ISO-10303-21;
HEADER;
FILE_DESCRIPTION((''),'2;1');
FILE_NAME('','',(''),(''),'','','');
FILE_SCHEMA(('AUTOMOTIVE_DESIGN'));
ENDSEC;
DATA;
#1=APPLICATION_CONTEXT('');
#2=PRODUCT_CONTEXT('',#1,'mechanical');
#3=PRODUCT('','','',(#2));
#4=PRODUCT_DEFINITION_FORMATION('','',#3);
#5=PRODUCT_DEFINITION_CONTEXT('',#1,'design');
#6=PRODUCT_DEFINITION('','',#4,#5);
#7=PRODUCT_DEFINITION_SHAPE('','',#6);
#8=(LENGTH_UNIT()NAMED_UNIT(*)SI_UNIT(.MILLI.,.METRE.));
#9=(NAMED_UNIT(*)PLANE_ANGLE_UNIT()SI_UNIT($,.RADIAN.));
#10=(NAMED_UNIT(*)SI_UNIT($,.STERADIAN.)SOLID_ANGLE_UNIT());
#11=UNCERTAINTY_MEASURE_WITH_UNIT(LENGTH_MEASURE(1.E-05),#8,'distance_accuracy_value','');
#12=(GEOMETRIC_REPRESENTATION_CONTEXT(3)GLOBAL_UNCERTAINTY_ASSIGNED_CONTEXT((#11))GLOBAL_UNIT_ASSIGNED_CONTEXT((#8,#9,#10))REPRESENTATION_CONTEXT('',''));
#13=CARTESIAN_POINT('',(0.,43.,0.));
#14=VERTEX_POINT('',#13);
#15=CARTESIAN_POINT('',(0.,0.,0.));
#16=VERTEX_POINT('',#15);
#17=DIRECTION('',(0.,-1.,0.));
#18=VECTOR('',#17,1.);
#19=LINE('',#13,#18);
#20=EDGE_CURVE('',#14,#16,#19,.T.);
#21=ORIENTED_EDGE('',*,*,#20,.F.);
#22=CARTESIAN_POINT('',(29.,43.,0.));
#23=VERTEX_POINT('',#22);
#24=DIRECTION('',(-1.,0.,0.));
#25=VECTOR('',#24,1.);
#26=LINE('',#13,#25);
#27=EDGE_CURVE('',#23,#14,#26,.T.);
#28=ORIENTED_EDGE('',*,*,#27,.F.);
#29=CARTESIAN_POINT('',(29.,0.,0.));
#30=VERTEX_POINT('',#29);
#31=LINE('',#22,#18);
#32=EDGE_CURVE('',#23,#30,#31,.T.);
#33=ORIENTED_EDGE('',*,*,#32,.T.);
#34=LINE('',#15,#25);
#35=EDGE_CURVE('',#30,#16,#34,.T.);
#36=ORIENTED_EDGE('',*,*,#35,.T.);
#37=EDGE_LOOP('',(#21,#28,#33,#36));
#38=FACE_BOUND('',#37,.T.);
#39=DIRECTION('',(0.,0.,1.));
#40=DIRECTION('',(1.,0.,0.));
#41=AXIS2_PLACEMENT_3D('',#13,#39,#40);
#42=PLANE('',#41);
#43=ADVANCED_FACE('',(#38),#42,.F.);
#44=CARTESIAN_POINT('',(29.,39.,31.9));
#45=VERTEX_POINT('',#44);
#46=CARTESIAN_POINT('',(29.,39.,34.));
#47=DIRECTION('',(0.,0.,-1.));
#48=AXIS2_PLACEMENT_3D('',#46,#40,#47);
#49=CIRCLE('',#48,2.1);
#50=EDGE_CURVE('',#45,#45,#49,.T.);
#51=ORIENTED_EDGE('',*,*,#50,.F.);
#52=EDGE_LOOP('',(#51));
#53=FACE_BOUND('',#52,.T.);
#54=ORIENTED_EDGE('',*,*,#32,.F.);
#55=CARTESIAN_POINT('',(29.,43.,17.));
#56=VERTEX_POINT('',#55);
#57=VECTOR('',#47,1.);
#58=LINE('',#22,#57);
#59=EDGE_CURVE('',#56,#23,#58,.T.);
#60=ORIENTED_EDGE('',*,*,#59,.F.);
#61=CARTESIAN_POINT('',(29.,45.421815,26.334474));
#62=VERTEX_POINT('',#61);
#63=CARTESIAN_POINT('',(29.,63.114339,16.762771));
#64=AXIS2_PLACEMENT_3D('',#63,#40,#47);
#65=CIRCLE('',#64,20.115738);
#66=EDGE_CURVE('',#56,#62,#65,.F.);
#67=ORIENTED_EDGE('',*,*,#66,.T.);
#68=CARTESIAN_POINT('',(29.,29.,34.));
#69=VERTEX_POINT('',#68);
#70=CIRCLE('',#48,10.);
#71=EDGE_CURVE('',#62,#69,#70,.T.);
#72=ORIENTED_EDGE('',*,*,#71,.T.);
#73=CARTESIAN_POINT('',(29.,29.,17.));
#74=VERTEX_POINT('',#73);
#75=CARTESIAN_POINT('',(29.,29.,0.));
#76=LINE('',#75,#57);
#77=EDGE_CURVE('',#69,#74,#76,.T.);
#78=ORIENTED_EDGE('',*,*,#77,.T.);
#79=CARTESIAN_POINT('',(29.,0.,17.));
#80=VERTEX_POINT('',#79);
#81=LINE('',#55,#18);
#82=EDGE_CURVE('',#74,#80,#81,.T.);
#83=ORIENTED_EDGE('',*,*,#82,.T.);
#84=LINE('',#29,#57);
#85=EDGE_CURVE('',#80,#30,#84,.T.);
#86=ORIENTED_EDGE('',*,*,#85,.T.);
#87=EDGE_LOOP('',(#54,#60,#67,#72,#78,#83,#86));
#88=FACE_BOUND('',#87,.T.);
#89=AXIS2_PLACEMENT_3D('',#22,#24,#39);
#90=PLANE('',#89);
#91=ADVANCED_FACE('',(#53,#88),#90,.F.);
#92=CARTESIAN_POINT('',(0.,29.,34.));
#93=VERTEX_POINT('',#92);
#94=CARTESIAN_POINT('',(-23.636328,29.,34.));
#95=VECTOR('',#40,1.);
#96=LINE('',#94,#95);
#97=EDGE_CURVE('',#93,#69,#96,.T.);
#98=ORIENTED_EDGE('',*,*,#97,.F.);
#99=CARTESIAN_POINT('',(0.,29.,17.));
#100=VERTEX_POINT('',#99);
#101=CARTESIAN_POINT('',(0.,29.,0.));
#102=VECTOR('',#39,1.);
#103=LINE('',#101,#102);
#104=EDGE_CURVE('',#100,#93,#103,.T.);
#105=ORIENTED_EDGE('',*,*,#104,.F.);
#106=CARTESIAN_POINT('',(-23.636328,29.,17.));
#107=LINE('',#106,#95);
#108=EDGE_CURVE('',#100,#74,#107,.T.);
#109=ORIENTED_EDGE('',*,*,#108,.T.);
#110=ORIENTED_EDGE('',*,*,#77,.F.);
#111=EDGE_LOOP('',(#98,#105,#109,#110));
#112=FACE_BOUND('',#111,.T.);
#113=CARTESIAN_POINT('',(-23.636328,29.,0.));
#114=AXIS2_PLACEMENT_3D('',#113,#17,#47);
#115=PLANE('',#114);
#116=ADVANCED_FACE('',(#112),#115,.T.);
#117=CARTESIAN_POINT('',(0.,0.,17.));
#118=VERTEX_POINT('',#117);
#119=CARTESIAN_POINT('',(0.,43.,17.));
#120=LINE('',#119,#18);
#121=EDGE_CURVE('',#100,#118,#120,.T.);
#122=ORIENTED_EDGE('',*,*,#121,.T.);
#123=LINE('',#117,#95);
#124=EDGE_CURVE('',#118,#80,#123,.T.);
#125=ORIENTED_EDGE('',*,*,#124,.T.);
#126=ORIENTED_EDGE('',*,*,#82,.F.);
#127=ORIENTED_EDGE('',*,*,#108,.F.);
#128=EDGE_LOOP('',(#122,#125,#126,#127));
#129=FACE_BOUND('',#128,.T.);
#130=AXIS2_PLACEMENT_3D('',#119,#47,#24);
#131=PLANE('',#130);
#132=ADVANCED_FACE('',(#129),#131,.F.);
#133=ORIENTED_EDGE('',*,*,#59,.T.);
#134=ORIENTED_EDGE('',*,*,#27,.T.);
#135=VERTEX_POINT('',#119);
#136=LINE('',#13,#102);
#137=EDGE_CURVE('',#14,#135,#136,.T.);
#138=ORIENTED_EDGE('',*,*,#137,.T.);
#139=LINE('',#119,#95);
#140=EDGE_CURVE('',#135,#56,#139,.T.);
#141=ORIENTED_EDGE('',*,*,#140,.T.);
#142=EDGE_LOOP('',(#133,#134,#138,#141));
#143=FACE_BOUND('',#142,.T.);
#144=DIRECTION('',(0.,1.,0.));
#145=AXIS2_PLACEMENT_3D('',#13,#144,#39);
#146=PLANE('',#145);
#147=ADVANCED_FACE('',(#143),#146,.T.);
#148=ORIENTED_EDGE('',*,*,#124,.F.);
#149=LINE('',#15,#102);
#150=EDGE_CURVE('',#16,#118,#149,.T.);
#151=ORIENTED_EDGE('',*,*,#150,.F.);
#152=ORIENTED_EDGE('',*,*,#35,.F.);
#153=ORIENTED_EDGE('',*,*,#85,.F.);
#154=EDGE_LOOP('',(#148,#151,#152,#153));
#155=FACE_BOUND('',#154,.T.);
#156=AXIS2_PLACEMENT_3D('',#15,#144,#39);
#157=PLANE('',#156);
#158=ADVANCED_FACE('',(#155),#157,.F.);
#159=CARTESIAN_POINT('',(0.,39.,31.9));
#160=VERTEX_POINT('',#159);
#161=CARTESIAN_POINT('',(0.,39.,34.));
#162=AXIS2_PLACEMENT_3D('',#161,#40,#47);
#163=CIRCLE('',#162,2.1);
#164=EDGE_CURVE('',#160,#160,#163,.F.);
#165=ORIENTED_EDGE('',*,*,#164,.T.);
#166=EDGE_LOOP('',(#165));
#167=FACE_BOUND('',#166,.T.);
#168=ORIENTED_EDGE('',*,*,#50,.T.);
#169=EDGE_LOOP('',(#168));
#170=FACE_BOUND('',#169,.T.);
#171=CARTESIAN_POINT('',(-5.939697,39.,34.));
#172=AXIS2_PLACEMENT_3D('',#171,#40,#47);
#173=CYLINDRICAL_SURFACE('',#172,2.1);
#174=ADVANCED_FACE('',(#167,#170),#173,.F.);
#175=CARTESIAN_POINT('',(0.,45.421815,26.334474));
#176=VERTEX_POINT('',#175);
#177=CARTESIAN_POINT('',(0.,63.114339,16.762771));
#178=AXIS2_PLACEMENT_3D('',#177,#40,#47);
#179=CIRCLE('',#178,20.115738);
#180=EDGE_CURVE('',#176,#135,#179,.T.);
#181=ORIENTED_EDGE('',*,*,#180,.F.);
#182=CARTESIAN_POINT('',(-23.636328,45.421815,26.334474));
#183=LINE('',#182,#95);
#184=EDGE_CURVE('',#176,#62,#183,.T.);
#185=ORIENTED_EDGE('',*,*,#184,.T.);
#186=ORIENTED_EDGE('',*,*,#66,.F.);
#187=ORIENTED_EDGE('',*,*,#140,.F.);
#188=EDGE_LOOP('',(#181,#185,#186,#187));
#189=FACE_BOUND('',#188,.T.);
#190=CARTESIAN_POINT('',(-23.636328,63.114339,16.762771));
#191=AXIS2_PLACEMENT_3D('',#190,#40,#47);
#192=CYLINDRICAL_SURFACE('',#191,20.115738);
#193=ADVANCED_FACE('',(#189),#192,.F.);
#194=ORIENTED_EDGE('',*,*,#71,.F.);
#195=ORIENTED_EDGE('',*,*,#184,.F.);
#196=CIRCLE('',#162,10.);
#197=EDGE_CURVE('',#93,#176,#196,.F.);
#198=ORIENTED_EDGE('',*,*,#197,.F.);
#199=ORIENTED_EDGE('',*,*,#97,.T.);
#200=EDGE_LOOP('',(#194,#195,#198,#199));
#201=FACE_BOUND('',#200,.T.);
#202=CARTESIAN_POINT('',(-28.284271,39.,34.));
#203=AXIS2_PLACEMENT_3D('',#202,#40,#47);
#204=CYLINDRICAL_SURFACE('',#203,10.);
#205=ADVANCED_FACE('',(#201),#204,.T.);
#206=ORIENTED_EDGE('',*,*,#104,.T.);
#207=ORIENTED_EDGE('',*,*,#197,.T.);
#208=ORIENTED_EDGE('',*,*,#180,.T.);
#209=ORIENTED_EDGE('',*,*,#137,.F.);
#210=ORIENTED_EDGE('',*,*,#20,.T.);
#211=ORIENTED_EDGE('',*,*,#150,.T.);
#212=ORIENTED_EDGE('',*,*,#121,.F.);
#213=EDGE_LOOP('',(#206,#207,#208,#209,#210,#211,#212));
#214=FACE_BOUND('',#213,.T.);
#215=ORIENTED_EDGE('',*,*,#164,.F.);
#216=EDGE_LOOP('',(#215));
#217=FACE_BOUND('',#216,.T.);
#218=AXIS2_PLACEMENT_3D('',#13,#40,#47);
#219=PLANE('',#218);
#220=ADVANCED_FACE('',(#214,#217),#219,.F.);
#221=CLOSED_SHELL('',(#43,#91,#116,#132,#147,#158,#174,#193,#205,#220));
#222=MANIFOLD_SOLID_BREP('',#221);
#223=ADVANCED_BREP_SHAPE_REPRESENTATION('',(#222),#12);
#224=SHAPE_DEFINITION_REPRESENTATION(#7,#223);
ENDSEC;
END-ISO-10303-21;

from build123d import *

# Parameters (mm, degrees)
CROQUIS1_W              = 29
CROQUIS1_H              = 17
SALIENTE_EXTRUIR1_DEPTH = 43
CROQUIS2_R              = 10
SALIENTE_EXTRUIR2_DEPTH = 29
CROQUIS3_R              = 2.1
CORTAR_EXTRUIR1_DEPTH   = 29
SALIENTE_EXTRUIR3_DEPTH = 29


with BuildPart() as part:
    # Croquis1 → Saliente-Extruir1 (new body)
    with BuildSketch(Plane(origin=(0, 0, 0), x_dir=(1, 0, 0), z_dir=(0, 1, 0))):
        with Locations((14.5, -8.5)):
            Rectangle(CROQUIS1_W, CROQUIS1_H)
    extrude(amount=SALIENTE_EXTRUIR1_DEPTH)



with BuildPart() as body_2:
    # Croquis2 → Saliente-Extruir2 (new body)
    with BuildSketch(Plane(origin=(29, 0, 0), x_dir=(0, 0, -1), z_dir=(1, 0, 0))):
        with Locations((-34, 39)):
            Circle(CROQUIS2_R)
    extrude(amount=-SALIENTE_EXTRUIR2_DEPTH)

    # Croquis3 → Cortar-Extruir1 (cut)
    with BuildSketch(Plane(origin=(29, 0, 0), x_dir=(0, 0, -1), z_dir=(1, 0, 0))):
        with Locations((-34, 39)):
            Circle(CROQUIS3_R)
    extrude(amount=-CORTAR_EXTRUIR1_DEPTH, mode=Mode.SUBTRACT)


with BuildPart() as part_1:
    add(part.part)

    add(body_2.part)  # Saliente-Extruir3 merges body 2
    # Croquis4 → Saliente-Extruir3 (add)
    with BuildSketch(Plane(origin=(29, 0, 0), x_dir=(0, 0, -1), z_dir=(1, 0, 0))):
        with BuildLine():
            Line((-34, 29), (-17, 29))
            Line((-17, 29), (-17, 43))
            ThreePointArc((-17, 43), (-21.814511478, 43.643262372), (-26.334473676, 45.421814866))
            ThreePointArc((-26.334473676, 45.421814866), (-24.938594241, 34.770233379), (-34, 29))
        make_face()
    extrude(amount=-SALIENTE_EXTRUIR3_DEPTH)


solid = part_1.part
